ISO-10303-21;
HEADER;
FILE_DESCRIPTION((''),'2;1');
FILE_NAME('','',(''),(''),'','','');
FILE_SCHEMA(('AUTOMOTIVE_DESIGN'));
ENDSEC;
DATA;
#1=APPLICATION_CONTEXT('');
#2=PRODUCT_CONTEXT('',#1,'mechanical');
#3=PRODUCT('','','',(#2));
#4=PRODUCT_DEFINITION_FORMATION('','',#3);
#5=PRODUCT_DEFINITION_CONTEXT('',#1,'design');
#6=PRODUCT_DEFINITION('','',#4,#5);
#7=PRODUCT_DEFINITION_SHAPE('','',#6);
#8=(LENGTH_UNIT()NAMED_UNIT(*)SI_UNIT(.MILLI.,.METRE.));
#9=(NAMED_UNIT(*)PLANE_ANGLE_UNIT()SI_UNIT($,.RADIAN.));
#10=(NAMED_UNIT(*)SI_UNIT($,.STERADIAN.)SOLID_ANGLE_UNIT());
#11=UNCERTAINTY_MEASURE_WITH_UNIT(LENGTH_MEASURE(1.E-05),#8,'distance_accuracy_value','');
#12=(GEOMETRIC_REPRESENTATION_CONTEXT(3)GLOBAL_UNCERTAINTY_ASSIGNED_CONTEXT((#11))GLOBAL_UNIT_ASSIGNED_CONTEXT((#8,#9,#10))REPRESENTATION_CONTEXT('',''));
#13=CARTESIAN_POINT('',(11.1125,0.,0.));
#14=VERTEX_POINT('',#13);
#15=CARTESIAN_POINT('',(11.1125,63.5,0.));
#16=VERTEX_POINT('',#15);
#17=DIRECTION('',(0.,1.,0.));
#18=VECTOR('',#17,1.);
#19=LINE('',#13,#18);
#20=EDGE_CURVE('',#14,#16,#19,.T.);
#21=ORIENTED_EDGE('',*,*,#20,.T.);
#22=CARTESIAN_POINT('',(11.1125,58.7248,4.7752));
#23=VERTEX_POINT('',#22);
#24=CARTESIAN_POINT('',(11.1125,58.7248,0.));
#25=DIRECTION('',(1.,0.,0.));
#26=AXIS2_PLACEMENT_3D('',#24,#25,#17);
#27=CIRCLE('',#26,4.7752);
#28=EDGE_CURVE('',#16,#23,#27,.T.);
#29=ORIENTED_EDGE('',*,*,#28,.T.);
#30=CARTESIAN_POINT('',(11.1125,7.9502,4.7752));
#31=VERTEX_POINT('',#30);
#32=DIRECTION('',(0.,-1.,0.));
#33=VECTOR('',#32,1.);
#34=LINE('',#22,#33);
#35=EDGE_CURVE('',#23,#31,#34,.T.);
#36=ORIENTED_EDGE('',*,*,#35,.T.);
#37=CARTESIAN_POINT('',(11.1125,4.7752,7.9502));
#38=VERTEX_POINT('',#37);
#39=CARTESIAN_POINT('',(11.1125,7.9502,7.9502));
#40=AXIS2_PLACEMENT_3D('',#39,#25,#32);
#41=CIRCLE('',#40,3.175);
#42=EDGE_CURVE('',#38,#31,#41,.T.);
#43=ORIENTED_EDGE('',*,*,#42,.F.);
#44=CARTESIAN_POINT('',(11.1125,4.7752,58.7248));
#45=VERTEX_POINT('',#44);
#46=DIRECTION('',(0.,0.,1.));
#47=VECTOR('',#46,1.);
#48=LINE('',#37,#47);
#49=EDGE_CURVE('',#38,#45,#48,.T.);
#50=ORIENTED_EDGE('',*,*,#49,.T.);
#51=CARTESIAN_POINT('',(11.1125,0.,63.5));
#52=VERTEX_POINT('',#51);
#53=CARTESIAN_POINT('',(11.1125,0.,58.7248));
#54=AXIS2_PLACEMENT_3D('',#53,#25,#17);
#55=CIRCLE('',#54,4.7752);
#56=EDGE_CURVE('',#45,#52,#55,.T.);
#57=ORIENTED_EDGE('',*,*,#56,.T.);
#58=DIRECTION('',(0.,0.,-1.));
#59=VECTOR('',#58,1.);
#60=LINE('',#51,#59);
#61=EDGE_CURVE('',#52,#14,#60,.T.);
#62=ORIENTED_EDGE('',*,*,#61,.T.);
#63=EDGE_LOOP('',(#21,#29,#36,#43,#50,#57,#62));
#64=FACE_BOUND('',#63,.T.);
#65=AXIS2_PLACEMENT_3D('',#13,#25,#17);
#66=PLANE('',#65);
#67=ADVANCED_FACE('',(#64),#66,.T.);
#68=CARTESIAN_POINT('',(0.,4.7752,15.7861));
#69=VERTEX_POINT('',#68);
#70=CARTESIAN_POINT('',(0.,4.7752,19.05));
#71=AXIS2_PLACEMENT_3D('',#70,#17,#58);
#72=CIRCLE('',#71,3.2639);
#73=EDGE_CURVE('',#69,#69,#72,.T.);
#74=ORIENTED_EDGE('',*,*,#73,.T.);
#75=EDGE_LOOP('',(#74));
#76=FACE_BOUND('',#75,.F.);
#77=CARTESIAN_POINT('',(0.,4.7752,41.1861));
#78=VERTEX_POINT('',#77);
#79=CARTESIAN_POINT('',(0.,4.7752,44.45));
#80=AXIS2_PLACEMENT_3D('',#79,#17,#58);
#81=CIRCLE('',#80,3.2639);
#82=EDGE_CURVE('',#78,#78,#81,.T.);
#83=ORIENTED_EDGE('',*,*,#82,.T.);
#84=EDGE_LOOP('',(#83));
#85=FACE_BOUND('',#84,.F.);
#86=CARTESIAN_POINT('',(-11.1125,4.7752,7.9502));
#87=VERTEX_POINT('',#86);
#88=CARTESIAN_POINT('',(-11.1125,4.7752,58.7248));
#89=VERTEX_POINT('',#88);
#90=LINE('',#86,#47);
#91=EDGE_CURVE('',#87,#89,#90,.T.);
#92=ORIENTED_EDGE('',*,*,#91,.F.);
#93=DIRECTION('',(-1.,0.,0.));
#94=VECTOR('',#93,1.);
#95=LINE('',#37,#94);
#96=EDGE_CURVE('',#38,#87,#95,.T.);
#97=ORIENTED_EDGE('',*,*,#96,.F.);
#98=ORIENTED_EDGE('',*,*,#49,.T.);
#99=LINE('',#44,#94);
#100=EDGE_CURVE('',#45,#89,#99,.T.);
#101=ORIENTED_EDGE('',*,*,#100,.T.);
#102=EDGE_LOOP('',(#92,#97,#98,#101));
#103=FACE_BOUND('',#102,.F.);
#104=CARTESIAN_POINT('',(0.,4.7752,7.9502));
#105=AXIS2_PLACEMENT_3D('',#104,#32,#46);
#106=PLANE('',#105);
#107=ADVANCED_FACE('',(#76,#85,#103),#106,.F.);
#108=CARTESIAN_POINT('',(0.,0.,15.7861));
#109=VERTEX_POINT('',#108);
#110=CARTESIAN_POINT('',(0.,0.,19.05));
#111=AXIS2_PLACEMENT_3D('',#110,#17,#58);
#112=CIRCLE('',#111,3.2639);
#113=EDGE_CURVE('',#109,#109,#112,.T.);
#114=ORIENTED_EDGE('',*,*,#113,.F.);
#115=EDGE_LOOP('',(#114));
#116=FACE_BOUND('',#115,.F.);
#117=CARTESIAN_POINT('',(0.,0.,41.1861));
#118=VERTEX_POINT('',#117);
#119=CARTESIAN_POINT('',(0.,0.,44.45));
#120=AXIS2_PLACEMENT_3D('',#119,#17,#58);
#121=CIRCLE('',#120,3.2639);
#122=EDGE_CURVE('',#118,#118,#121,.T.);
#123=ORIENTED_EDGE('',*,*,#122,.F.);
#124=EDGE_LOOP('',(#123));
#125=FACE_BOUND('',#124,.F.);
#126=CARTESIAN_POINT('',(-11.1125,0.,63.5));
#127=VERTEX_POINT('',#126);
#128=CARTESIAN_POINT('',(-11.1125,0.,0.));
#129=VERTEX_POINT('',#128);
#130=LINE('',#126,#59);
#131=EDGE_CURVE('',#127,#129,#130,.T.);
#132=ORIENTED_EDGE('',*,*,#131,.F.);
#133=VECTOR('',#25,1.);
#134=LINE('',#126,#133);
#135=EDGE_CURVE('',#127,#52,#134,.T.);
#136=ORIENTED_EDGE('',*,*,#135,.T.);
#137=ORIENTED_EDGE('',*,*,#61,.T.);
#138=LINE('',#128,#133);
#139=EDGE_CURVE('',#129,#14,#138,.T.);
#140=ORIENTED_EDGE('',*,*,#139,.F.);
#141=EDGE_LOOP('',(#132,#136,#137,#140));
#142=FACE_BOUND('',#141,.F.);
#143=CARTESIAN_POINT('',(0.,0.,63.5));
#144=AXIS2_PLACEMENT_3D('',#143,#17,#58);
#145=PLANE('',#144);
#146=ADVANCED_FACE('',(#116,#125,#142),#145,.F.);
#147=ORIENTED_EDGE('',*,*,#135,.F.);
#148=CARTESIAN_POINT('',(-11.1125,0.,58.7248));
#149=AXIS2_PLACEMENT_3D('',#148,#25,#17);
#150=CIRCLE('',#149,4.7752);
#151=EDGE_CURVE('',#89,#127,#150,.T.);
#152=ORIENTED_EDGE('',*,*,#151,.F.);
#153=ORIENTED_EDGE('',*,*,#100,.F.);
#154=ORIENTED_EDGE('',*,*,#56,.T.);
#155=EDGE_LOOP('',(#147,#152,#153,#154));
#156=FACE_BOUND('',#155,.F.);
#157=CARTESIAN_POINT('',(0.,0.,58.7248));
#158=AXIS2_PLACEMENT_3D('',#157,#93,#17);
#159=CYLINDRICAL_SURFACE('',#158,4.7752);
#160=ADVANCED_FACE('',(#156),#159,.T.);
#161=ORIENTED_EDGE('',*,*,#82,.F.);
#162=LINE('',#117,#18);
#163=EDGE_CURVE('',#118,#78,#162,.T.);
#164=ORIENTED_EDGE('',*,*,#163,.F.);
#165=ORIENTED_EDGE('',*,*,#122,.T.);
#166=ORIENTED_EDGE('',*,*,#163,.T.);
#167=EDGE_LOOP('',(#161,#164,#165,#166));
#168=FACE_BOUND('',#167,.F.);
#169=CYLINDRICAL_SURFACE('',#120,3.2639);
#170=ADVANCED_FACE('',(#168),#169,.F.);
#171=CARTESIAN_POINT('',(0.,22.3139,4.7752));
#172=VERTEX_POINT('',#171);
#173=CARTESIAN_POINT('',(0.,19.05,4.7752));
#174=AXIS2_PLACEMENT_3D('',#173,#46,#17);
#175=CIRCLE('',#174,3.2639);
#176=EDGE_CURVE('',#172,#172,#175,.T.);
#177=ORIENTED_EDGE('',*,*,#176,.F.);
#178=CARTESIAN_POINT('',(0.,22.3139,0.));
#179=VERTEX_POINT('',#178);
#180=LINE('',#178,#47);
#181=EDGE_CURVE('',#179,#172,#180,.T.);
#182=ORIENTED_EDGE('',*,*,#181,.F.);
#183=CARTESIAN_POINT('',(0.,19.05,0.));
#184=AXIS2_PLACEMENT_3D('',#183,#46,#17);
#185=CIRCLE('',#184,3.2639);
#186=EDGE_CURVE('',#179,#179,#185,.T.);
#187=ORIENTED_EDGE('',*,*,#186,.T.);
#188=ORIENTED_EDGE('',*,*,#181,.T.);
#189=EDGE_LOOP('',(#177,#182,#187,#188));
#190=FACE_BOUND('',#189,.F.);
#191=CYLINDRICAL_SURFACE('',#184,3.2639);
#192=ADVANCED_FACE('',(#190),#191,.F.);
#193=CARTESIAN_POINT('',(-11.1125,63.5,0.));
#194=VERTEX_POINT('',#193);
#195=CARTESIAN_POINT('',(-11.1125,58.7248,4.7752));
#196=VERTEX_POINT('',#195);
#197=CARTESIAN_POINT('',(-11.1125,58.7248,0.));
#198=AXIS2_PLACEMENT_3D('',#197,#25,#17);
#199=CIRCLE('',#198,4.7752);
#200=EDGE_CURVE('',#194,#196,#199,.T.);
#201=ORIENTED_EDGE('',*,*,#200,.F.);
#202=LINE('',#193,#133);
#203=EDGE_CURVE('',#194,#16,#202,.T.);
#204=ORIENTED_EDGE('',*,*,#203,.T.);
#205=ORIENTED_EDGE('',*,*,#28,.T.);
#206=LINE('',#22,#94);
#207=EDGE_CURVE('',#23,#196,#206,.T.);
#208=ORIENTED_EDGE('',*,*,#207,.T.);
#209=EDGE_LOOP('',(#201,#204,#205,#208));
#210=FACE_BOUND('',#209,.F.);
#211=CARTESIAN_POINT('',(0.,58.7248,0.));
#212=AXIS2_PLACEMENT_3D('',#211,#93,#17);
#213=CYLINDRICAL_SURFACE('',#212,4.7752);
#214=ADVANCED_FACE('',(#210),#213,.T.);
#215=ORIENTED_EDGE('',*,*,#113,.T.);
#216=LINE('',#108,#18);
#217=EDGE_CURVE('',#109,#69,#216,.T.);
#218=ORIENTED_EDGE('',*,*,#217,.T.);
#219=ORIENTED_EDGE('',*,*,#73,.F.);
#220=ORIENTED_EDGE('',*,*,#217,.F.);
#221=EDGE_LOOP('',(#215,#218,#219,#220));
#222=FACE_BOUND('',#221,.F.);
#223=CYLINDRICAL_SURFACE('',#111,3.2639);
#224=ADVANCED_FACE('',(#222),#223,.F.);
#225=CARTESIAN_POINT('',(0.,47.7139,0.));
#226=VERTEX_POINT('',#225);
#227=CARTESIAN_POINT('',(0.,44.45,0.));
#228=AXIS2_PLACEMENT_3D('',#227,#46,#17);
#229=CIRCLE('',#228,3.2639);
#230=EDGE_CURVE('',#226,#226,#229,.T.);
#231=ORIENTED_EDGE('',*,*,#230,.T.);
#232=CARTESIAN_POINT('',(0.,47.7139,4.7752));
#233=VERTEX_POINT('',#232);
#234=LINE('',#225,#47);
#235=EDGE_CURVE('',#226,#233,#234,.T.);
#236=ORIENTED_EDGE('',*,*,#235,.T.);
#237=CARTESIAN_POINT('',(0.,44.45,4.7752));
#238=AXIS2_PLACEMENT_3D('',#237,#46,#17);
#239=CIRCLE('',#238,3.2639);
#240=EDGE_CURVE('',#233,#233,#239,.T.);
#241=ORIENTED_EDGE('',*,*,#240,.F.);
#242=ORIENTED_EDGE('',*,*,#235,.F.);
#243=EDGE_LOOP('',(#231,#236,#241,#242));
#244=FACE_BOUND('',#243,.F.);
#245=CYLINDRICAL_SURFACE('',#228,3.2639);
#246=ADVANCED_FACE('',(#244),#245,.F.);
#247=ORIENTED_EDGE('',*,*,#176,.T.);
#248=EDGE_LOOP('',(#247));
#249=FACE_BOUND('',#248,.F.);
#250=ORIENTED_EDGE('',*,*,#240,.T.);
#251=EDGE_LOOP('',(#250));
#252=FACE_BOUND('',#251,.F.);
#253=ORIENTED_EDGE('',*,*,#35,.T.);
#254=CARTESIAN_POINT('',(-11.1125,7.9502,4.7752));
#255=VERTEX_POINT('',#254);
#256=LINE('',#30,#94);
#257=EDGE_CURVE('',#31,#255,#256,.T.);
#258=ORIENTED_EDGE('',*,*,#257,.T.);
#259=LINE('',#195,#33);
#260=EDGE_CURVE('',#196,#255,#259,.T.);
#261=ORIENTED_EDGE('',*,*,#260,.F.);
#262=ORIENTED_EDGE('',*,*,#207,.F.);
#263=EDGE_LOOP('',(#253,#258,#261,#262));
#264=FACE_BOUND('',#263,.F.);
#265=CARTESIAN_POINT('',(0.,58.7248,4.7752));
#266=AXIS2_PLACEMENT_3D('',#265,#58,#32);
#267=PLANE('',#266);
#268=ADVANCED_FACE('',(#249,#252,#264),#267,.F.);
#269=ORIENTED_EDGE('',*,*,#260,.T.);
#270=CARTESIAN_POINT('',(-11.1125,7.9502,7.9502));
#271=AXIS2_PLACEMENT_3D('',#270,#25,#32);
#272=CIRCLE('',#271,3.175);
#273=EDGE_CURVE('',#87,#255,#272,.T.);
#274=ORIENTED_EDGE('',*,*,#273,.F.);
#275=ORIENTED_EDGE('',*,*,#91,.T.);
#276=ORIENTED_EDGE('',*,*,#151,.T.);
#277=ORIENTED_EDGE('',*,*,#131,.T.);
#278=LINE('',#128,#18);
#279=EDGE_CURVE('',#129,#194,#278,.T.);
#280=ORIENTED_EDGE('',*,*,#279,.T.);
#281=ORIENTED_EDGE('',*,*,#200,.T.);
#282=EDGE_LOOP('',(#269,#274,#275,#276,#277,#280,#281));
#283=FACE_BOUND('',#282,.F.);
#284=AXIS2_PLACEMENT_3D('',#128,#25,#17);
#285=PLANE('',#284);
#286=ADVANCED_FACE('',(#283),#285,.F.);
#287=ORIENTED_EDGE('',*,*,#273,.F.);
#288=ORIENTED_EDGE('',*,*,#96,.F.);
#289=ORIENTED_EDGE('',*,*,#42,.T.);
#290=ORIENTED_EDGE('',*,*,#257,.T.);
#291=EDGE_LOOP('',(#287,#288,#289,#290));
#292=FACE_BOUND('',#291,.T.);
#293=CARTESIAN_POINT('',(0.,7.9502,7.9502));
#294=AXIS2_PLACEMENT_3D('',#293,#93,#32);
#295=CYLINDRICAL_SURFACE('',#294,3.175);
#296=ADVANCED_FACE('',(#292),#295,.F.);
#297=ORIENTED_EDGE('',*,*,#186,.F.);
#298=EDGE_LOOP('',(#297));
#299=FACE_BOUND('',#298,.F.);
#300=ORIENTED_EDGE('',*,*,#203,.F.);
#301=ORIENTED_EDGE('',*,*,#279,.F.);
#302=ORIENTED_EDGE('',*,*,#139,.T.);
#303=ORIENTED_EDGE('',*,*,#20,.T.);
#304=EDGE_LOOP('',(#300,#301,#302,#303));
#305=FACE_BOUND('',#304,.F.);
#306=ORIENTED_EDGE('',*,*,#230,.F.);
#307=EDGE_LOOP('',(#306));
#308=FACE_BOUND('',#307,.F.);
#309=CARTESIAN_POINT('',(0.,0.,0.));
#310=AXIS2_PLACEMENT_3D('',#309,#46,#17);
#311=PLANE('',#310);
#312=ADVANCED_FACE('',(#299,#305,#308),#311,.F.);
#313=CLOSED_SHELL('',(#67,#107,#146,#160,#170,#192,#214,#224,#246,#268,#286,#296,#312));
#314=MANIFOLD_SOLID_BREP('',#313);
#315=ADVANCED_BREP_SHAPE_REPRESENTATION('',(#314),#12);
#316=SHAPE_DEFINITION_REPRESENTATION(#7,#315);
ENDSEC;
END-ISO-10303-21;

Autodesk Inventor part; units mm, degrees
ref_plane "YZ Plane" through (0, 0, 0) normal (1, 0, 0) x (0, 1, 0)
ref_plane "XZ Plane" through (0, 0, 0) normal (0, 1, 0) x (-1, 0, 0)
ref_plane "XY Plane" through (0, 0, 0) normal (0, 0, 1) x (1, 0, 0)
sketch "Sketch_1" plane through (0, 0, 0) normal (1, 0, 0) x (0, 1, 0)
  line L0 (0, 63.5) -> (0, 0)
  line L1 (0, 0) -> (63.5, 0)
  arc A0 (63.5, 0) -> (58.7248, 4.7752) centre (58.7248, 0) ccw
  line L2 (58.7248, 4.7752) -> (7.9502, 4.7752)
  arc A1 (4.7752, 7.9502) -> (7.9502, 4.7752) centre (7.9502, 7.9502) ccw
  line L3 (4.7752, 7.9502) -> (4.7752, 58.7248)
  arc A2 (4.7752, 58.7248) -> (0, 63.5) centre (0, 58.7248) ccw
extrude "Extrusion1" add sketch "Sketch_1" along normal mid plane 22.225
sketch "Sketch2" plane through (11.1125, 0, 0) normal (0, 0, -1) x (-1, 0, 0)
  point P0 (11.1125, 19.05)
hole "Hole1" at (0, 19.05, 0) direction (0, 0, 1) diameter 6.5278 depth 4.7752
sketch "Sketch3" plane through (11.1125, 0, 0) normal (0, 0, -1) x (-1, 0, 0)
  point P0 (11.1125, 44.45)
hole "Hole2" at (0, 44.45, 0) direction (0, 0, 1) diameter 6.5278 depth 4.7752
sketch "Sketch4" plane through (-11.1125, 0, 63.5) normal (0, -1, 0) x (1, 0, 0)
  point P0 (11.1125, -44.45)
hole "Hole3" at (0, 0, 19.05) direction (0, 1, 0) diameter 6.5278 depth 4.7752
sketch "Sketch5" plane through (-11.1125, 0, 63.5) normal (0, -1, 0) x (1, 0, 0)
  point P0 (11.1125, -19.05)
hole "Hole4" at (0, 0, 44.45) direction (0, 1, 0) diameter 6.5278 depth 4.7752
properties part number "4101"
